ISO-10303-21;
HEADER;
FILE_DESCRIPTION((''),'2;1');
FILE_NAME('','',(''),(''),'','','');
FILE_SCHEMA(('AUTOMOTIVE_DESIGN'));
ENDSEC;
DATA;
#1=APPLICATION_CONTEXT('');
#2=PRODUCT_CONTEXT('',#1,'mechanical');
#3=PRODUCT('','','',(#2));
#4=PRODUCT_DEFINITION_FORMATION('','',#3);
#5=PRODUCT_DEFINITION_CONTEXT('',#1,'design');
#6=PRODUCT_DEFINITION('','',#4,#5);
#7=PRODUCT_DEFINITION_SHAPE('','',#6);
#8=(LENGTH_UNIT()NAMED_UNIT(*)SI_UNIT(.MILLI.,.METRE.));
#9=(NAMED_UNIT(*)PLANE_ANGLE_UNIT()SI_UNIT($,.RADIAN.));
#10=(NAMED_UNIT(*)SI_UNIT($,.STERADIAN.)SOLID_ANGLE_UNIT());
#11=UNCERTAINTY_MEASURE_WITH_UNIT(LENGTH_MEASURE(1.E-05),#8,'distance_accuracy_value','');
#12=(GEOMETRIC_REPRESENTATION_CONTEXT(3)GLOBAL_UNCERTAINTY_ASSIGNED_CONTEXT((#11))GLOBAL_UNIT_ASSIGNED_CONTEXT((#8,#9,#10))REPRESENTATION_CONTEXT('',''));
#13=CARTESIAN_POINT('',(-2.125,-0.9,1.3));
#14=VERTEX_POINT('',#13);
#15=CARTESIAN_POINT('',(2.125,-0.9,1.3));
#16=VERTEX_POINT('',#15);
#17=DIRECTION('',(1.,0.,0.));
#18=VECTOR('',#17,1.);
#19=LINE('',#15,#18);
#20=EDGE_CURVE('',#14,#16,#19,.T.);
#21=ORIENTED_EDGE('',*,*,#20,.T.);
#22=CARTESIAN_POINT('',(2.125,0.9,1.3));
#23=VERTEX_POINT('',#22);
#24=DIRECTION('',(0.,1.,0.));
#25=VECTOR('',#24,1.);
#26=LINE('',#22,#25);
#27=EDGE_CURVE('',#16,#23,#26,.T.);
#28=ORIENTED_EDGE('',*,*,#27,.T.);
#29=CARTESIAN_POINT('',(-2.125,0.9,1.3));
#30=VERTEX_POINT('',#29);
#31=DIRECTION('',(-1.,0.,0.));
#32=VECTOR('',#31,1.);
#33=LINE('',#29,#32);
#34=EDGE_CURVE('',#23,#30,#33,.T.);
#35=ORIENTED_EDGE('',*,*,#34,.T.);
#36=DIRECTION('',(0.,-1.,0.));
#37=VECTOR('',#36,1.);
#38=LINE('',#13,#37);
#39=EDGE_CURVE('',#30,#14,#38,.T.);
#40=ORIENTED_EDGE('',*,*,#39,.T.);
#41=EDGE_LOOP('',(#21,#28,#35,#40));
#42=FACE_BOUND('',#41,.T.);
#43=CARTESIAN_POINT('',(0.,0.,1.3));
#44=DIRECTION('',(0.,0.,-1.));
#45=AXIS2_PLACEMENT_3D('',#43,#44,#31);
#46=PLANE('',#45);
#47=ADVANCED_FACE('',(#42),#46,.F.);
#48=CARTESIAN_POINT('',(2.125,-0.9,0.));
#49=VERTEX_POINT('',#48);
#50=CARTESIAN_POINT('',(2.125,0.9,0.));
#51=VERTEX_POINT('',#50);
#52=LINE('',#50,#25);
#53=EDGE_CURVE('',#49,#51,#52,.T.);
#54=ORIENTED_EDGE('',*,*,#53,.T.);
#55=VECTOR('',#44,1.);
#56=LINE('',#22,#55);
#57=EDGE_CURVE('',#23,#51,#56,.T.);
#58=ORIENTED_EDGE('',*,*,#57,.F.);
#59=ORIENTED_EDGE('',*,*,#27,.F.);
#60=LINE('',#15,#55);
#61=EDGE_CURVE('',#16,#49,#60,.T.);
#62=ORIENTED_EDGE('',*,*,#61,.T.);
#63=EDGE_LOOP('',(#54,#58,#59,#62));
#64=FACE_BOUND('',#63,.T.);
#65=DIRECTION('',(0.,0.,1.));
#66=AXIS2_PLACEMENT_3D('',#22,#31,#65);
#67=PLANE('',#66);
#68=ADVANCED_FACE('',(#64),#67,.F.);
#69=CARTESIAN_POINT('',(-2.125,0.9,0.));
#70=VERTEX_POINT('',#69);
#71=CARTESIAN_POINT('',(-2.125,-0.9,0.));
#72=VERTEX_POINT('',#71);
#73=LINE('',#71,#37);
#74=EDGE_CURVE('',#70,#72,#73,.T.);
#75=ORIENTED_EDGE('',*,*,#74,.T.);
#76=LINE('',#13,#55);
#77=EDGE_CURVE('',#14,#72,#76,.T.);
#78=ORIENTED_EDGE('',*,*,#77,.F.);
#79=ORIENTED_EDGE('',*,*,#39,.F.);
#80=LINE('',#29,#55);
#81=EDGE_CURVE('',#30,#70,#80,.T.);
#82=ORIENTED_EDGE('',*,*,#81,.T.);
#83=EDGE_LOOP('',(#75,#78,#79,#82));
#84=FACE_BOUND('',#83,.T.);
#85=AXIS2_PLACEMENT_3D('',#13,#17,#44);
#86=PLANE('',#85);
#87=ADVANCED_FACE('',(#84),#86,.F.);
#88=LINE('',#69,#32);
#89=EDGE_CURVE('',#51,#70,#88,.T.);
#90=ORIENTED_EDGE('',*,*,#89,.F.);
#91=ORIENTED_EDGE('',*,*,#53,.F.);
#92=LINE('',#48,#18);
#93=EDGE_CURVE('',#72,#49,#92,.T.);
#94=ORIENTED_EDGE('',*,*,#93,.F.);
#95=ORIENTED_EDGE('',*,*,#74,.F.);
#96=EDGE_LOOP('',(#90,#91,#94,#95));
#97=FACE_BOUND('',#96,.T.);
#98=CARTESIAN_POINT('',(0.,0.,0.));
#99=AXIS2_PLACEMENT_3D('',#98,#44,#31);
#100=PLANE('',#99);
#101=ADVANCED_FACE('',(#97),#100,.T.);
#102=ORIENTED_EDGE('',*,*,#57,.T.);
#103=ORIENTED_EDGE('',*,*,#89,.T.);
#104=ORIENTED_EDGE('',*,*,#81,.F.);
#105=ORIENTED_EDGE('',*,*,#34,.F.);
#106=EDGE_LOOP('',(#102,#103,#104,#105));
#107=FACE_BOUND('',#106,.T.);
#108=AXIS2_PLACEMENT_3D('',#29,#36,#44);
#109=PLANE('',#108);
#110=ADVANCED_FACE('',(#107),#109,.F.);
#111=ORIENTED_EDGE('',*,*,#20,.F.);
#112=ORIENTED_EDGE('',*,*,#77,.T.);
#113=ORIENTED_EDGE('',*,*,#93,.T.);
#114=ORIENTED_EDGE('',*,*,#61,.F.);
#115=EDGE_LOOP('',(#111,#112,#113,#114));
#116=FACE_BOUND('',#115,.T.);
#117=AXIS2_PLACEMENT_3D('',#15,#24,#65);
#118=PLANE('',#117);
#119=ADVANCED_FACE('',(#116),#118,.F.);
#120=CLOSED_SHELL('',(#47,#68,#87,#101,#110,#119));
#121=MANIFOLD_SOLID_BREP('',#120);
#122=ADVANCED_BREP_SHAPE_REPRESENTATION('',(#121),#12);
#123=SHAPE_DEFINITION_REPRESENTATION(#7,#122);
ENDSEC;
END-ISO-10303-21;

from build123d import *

# Parameters (mm, degrees)
SKETCH_1_W              = 4.25
SKETCH_1_H              = 1.8
COMPONENT_OUTLINE_DEPTH = 1.3


with BuildPart() as part:
    # 草图1 → Component_Outline (new body)
    with BuildSketch(Plane.XY):
        Rectangle(SKETCH_1_W, SKETCH_1_H)
    extrude(amount=COMPONENT_OUTLINE_DEPTH)


solid = part.part
